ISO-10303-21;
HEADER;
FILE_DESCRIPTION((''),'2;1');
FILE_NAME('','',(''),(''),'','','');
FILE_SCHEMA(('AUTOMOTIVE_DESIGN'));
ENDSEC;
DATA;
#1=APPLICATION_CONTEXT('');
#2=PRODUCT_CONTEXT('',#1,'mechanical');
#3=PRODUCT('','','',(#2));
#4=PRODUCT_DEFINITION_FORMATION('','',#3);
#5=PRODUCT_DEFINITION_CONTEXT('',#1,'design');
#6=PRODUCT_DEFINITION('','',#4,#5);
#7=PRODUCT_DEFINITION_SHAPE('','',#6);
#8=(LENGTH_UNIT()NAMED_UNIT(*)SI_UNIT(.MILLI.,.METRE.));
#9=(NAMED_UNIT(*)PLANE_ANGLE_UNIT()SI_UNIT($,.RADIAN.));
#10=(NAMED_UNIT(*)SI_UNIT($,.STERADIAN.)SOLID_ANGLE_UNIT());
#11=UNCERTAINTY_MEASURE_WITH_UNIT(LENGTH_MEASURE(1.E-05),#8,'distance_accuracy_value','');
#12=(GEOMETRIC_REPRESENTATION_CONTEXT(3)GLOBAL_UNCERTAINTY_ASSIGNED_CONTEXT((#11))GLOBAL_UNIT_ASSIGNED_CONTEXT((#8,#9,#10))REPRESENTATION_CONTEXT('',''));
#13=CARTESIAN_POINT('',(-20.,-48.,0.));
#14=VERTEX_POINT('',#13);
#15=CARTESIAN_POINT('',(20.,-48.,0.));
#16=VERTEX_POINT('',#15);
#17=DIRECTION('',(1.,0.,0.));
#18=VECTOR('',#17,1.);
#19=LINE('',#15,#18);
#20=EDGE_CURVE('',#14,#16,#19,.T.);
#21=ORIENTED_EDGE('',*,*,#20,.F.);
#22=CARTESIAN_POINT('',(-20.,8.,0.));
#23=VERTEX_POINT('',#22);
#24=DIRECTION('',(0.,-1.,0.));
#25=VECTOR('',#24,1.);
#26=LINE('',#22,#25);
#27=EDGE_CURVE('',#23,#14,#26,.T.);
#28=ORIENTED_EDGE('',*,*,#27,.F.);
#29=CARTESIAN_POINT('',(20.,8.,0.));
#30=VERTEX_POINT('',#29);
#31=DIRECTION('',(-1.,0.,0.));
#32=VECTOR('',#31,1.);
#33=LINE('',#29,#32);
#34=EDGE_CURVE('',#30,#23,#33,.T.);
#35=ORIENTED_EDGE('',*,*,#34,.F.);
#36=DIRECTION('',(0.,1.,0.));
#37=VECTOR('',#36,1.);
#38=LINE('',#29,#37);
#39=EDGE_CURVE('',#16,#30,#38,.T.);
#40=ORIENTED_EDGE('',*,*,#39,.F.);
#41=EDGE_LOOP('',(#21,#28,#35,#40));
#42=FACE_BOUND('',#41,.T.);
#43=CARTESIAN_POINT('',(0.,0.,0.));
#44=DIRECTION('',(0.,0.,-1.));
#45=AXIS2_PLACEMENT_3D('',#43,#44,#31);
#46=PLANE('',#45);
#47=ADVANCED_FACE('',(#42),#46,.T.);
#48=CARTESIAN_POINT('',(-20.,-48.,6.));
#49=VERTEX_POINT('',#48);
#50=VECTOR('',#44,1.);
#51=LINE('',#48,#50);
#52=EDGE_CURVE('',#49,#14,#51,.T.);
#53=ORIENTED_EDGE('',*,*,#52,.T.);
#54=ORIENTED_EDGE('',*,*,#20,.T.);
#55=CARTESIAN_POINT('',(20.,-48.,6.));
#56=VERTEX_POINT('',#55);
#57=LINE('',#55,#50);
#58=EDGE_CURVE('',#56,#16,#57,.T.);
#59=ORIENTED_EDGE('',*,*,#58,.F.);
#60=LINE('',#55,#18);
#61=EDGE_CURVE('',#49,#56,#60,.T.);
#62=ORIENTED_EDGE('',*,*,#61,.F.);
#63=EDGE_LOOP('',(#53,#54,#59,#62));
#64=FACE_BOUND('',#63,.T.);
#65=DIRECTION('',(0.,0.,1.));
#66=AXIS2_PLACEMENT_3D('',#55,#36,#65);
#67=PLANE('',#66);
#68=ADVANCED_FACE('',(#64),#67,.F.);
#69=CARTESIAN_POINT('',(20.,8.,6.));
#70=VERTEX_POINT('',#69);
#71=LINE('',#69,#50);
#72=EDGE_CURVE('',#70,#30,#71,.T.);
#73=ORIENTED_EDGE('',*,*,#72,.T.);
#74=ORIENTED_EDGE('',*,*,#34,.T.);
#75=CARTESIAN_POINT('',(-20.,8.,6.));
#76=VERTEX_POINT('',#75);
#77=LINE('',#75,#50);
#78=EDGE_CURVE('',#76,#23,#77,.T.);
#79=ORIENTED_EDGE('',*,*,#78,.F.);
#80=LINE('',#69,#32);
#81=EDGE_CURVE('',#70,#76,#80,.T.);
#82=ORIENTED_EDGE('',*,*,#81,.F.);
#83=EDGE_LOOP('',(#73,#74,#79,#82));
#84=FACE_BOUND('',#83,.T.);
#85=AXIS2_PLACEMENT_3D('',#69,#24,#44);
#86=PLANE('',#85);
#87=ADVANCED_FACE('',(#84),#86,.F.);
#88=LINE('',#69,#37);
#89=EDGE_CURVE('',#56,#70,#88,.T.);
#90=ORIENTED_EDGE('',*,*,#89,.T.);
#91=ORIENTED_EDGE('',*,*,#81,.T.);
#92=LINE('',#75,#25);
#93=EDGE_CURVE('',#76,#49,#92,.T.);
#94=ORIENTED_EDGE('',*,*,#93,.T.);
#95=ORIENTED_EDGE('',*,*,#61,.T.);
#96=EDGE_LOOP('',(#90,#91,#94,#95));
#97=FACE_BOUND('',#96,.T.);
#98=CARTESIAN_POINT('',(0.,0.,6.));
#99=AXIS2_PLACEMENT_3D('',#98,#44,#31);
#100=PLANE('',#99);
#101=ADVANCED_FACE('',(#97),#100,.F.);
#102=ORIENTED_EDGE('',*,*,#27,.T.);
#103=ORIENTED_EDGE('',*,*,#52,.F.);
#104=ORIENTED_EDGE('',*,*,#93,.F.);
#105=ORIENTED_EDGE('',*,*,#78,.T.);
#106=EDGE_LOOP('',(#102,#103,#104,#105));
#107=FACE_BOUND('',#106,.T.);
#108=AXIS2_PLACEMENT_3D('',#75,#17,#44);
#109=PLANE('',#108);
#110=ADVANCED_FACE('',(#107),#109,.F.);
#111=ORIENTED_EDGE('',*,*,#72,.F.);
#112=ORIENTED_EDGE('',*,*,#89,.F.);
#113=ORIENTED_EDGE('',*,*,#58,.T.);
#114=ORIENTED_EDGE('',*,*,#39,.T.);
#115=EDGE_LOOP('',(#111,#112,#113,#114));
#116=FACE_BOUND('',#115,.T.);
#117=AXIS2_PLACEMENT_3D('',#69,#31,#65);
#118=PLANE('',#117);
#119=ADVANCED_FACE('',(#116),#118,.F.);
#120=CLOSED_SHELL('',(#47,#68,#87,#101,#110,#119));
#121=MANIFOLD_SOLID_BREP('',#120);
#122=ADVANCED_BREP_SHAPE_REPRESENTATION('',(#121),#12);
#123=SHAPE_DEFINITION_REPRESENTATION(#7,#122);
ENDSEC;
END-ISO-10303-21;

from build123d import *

# Parameters (mm, degrees)
SKETCH_2_W      = 40
SKETCH_2_H      = 56
EXTRUDE_1_DEPTH = 6


with BuildPart() as part:
    # Эскиз2 → Бобышка-Вытянуть1 (new body)
    with BuildSketch(Plane.XY):
        with Locations((0, -20)):
            Rectangle(SKETCH_2_W, SKETCH_2_H)
    extrude(amount=EXTRUDE_1_DEPTH)


solid = part.part
